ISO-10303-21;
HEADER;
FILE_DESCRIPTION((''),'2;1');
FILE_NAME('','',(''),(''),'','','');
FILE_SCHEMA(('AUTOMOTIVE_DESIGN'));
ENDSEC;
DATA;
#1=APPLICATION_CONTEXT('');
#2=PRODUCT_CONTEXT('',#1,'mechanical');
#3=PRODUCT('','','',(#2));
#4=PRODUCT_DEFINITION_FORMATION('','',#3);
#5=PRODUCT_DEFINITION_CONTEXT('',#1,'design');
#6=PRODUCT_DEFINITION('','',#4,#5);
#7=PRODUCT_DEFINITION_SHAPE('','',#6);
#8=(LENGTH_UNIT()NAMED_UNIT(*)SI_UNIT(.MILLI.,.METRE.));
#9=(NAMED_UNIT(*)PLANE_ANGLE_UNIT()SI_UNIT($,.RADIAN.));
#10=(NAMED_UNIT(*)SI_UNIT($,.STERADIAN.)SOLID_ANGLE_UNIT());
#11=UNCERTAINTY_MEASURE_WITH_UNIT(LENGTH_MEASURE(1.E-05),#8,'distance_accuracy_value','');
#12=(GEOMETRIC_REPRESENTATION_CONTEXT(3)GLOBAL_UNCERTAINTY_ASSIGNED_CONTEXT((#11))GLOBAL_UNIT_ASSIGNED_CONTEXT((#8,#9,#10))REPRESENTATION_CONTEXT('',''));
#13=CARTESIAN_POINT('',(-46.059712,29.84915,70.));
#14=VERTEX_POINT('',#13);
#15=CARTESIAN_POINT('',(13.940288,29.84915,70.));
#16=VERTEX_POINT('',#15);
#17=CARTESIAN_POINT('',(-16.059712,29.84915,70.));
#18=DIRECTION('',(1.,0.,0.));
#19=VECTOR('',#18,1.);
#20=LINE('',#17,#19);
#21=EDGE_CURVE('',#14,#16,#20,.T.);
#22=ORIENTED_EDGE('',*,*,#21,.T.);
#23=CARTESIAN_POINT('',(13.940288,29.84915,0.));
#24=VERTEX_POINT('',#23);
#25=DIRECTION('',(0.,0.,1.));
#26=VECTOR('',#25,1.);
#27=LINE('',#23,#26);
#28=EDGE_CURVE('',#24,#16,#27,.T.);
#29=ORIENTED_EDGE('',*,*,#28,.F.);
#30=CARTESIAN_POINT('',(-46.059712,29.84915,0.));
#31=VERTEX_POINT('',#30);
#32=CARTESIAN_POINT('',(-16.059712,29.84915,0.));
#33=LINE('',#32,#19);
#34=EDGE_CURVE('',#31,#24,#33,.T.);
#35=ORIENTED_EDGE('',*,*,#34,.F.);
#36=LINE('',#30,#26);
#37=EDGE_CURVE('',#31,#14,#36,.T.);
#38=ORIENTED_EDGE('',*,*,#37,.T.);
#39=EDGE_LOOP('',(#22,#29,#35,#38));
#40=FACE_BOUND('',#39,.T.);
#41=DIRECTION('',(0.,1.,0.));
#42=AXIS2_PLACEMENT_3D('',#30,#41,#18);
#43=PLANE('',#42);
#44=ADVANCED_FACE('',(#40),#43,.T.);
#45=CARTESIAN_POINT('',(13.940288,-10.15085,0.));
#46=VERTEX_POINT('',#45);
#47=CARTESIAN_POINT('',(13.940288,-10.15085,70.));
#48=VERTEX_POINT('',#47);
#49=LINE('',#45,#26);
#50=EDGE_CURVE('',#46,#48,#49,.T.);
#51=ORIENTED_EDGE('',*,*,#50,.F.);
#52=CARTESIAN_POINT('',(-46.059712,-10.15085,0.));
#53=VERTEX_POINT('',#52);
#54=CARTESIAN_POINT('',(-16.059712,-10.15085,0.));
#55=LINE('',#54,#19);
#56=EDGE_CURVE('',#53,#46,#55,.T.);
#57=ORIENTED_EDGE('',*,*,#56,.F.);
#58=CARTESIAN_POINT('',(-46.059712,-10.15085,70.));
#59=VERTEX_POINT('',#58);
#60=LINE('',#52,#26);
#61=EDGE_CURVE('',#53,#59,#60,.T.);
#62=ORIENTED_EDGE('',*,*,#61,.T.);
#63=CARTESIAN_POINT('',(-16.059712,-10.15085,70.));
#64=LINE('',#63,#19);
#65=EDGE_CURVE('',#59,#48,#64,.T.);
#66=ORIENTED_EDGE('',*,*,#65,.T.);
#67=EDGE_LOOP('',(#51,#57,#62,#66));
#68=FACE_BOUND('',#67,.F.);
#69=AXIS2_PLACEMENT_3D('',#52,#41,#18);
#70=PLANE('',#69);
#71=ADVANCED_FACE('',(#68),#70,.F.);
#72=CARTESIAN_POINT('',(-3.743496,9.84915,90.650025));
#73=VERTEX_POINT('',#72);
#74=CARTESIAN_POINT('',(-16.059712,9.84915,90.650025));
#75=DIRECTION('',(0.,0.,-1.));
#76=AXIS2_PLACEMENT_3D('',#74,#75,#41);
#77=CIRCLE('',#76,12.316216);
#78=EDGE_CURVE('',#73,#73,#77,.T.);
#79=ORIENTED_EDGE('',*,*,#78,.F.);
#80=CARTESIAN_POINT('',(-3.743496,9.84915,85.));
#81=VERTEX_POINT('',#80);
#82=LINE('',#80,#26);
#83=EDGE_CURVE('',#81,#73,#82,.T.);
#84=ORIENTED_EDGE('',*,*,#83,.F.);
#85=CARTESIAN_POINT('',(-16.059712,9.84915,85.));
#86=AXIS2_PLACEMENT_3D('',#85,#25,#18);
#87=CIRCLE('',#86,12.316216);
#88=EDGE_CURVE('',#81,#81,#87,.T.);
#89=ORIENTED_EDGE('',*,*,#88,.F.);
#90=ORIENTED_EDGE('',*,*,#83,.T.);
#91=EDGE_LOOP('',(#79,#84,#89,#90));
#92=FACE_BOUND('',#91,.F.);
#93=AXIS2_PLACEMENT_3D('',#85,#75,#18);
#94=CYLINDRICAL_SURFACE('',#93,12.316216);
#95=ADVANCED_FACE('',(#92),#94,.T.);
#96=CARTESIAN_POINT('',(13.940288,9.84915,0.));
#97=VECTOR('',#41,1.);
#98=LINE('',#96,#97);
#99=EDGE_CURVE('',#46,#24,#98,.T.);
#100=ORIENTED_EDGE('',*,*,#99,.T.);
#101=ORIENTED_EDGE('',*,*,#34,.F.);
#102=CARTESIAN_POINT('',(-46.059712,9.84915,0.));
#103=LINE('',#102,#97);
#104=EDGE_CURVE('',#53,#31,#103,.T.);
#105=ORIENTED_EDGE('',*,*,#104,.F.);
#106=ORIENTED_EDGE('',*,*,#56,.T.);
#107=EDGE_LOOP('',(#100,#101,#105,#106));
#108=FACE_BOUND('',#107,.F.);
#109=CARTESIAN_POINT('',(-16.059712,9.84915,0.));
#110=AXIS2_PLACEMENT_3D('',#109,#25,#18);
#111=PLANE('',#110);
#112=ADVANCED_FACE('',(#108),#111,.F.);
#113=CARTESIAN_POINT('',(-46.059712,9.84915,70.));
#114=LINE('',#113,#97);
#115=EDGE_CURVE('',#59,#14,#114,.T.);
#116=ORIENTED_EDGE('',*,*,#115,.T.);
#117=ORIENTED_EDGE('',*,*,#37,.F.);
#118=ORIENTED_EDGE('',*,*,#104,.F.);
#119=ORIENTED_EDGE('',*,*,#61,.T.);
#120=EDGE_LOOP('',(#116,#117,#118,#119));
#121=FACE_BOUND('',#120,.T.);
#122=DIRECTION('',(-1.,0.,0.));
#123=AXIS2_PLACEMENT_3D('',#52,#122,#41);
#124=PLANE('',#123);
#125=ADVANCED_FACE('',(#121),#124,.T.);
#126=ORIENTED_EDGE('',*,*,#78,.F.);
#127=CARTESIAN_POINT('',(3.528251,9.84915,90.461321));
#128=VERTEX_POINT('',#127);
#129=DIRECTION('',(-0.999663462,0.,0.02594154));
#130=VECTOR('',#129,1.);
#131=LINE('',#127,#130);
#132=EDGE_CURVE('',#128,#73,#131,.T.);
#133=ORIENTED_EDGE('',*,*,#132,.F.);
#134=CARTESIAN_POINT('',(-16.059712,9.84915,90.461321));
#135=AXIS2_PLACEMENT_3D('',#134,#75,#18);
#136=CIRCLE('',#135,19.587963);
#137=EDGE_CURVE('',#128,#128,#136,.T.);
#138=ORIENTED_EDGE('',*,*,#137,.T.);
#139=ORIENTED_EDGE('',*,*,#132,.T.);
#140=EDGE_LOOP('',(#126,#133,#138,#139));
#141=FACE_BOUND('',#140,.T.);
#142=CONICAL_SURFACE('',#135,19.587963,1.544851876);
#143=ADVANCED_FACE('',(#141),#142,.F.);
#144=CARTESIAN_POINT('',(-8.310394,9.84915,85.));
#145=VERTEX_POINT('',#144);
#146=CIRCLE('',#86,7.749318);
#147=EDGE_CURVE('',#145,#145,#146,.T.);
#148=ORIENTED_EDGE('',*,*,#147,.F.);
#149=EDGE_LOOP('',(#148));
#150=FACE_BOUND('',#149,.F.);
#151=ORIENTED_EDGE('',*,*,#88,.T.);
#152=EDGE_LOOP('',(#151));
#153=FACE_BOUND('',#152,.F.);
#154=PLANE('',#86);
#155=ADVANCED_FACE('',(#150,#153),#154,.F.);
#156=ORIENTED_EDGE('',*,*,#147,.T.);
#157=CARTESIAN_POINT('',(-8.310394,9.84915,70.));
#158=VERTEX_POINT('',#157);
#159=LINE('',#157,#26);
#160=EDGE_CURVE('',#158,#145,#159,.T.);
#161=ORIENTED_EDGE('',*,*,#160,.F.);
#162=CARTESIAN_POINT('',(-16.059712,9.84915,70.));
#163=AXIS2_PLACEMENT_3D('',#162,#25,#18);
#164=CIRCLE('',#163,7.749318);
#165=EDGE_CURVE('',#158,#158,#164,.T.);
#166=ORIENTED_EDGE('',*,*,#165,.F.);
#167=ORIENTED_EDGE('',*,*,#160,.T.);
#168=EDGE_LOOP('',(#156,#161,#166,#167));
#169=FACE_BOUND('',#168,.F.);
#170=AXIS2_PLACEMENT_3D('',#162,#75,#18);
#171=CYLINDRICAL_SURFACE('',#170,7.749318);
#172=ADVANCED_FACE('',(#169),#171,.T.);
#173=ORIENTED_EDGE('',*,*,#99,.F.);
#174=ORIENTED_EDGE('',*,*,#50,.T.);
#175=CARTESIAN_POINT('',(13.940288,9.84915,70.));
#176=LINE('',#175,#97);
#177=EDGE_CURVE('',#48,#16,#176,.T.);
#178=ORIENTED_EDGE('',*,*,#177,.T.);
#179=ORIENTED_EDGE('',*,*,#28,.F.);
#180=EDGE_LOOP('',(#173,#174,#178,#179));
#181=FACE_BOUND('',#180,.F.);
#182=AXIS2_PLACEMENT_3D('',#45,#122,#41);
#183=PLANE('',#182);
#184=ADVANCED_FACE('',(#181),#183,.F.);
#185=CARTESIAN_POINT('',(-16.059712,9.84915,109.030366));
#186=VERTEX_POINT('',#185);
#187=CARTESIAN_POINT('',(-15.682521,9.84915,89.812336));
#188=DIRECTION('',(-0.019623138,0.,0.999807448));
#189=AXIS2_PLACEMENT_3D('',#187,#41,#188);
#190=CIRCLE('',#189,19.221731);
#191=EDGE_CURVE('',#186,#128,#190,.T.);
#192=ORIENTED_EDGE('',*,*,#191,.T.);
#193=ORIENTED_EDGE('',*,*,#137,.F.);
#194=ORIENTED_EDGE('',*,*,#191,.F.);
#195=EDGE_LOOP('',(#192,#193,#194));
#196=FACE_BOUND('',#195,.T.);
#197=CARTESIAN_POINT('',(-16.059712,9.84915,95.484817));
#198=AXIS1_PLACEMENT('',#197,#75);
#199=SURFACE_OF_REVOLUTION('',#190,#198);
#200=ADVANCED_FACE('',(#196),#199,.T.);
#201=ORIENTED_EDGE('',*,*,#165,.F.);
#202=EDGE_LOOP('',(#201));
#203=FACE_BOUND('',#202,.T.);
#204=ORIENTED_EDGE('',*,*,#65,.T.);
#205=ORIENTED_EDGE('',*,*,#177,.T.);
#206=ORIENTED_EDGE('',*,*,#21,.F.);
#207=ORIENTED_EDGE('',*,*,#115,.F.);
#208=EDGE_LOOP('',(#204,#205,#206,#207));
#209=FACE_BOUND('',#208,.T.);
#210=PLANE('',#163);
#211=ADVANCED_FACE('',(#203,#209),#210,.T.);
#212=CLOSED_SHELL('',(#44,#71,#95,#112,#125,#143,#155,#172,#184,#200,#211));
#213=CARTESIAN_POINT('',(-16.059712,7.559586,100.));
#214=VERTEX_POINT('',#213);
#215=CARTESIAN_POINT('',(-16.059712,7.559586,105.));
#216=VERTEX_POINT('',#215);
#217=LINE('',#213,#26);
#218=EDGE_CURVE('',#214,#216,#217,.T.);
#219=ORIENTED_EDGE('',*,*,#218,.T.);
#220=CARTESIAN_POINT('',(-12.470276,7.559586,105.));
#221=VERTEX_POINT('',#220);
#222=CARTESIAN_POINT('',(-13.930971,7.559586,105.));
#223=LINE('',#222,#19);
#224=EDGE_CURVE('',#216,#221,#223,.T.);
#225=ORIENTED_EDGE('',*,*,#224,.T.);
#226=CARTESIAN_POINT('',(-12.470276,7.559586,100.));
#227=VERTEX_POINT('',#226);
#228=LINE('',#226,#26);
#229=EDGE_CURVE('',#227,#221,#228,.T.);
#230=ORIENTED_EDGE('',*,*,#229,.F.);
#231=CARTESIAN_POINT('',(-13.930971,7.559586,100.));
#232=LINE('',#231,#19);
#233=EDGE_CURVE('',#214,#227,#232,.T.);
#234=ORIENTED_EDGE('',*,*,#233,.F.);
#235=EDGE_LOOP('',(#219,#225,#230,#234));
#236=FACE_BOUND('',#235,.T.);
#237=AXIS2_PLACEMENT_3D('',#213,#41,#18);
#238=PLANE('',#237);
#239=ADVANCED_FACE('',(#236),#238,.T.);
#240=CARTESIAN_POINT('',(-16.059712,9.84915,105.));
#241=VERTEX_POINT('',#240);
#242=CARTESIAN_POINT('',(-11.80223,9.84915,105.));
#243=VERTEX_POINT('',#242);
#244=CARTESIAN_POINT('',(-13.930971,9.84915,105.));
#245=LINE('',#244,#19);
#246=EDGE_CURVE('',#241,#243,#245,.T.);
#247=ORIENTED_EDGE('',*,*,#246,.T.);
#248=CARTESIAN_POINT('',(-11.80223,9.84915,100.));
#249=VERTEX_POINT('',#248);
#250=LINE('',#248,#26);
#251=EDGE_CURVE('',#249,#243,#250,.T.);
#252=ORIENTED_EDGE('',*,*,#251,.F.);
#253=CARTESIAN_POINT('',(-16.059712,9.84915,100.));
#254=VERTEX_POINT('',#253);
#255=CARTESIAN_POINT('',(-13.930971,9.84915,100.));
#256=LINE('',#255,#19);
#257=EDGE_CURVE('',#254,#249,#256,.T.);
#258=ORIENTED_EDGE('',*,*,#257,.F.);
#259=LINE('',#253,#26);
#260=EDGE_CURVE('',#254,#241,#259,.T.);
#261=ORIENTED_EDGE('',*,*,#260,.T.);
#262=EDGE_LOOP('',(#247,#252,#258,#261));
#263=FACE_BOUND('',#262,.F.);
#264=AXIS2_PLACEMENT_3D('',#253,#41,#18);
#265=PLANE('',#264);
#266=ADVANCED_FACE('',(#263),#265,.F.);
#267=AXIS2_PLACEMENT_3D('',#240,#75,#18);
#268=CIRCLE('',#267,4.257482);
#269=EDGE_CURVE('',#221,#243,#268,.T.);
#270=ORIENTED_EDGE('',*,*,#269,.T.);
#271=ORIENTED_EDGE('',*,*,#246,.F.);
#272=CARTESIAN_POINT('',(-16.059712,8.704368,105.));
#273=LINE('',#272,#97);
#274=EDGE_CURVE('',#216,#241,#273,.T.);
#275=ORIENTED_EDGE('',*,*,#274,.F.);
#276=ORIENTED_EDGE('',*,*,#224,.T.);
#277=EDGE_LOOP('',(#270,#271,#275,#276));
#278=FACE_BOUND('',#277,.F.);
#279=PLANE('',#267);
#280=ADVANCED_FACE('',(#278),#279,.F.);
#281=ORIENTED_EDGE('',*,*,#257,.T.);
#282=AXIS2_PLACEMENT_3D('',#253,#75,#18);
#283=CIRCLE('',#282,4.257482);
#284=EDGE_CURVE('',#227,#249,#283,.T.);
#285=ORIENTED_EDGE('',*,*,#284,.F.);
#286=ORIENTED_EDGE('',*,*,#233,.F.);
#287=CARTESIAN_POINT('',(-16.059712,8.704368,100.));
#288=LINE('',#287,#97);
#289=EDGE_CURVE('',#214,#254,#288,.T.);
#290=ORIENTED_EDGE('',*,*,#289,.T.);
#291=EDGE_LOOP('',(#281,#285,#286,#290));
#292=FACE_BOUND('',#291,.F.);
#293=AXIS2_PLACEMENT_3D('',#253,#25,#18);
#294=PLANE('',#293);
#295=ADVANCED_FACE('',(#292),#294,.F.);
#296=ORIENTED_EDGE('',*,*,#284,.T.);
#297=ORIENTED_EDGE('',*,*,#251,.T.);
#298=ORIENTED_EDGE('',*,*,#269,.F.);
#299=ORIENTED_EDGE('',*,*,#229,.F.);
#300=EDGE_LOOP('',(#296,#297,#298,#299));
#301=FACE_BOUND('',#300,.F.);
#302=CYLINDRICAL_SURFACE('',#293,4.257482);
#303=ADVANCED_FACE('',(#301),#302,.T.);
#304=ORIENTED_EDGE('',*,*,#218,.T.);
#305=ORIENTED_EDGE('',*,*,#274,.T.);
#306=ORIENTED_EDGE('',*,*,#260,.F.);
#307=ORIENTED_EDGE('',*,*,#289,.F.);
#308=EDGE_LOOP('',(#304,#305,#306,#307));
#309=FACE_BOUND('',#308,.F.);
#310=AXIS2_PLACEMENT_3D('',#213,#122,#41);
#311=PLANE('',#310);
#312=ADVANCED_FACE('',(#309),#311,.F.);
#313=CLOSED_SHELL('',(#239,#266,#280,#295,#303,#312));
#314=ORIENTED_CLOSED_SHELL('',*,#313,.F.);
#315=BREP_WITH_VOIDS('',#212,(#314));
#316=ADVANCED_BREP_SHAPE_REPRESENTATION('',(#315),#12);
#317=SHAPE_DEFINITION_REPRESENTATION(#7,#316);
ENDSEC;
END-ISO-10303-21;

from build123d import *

# Parameters (mm, degrees)
F0_W     = 60
F0_H     = 40
F1_DEPTH = 70
F2_R     = 7.749318
F3_DEPTH = 15
F4_R     = 12.316216
F5_DEPTH = 15
F6_W     = 4.257482
F6_H     = 2.289564
F7_DEPTH = 5


with BuildPart() as f1:
    # F0 (on Top) → F1 (new body)
    with BuildSketch(Plane.XY):
        with Locations((-16.059712, 9.84915)):
            Rectangle(F0_W, F0_H)
    extrude(amount=F1_DEPTH)

    # F2 (on face) → F3 (join)
    with BuildSketch(Plane.XY.offset(70)):
        with Locations((-16.059712, 9.84915)):
            Circle(F2_R)
    extrude(amount=F3_DEPTH)

    # F4 (on face) → F5 (join)
    with BuildSketch(Plane.XY.offset(85)):
        with Locations((-16.059712, 9.84915)):
            Circle(F4_R)
    extrude(amount=F5_DEPTH)

    # F6 (on face) → F7 (join)
    with BuildSketch(Plane.XY.offset(100)):
        with Locations((-13.930971, 8.704368)):
            Rectangle(F6_W, F6_H)
    extrude(amount=F7_DEPTH)

    # F8 (on face) → F9 (revolve)
    with BuildSketch(Plane(origin=(0, 9.84915, 0), x_dir=(-1, 0, 0), z_dir=(0, 1, 0))):
        with BuildLine():
            Line((16.059712, 90.969634), (16.059712, 100))
            Line((16.059712, 100), (11.80223, 100))
            Line((11.80223, 100), (11.80223, 105))
            Line((11.80223, 105), (16.059712, 105))
            Line((16.059712, 105), (16.059712, 109.030366))
            ThreePointArc((16.059712, 109.030366), (2.458365, 103.762126), (-3.528251, 90.461321))
            Line((-3.528251, 90.461321), (16.059712, 90.969634))
        make_face()
    revolve(axis=Axis((-16.059712, 9.84915, 95.484817), (0, 0, -1)))


solid = f1.part
